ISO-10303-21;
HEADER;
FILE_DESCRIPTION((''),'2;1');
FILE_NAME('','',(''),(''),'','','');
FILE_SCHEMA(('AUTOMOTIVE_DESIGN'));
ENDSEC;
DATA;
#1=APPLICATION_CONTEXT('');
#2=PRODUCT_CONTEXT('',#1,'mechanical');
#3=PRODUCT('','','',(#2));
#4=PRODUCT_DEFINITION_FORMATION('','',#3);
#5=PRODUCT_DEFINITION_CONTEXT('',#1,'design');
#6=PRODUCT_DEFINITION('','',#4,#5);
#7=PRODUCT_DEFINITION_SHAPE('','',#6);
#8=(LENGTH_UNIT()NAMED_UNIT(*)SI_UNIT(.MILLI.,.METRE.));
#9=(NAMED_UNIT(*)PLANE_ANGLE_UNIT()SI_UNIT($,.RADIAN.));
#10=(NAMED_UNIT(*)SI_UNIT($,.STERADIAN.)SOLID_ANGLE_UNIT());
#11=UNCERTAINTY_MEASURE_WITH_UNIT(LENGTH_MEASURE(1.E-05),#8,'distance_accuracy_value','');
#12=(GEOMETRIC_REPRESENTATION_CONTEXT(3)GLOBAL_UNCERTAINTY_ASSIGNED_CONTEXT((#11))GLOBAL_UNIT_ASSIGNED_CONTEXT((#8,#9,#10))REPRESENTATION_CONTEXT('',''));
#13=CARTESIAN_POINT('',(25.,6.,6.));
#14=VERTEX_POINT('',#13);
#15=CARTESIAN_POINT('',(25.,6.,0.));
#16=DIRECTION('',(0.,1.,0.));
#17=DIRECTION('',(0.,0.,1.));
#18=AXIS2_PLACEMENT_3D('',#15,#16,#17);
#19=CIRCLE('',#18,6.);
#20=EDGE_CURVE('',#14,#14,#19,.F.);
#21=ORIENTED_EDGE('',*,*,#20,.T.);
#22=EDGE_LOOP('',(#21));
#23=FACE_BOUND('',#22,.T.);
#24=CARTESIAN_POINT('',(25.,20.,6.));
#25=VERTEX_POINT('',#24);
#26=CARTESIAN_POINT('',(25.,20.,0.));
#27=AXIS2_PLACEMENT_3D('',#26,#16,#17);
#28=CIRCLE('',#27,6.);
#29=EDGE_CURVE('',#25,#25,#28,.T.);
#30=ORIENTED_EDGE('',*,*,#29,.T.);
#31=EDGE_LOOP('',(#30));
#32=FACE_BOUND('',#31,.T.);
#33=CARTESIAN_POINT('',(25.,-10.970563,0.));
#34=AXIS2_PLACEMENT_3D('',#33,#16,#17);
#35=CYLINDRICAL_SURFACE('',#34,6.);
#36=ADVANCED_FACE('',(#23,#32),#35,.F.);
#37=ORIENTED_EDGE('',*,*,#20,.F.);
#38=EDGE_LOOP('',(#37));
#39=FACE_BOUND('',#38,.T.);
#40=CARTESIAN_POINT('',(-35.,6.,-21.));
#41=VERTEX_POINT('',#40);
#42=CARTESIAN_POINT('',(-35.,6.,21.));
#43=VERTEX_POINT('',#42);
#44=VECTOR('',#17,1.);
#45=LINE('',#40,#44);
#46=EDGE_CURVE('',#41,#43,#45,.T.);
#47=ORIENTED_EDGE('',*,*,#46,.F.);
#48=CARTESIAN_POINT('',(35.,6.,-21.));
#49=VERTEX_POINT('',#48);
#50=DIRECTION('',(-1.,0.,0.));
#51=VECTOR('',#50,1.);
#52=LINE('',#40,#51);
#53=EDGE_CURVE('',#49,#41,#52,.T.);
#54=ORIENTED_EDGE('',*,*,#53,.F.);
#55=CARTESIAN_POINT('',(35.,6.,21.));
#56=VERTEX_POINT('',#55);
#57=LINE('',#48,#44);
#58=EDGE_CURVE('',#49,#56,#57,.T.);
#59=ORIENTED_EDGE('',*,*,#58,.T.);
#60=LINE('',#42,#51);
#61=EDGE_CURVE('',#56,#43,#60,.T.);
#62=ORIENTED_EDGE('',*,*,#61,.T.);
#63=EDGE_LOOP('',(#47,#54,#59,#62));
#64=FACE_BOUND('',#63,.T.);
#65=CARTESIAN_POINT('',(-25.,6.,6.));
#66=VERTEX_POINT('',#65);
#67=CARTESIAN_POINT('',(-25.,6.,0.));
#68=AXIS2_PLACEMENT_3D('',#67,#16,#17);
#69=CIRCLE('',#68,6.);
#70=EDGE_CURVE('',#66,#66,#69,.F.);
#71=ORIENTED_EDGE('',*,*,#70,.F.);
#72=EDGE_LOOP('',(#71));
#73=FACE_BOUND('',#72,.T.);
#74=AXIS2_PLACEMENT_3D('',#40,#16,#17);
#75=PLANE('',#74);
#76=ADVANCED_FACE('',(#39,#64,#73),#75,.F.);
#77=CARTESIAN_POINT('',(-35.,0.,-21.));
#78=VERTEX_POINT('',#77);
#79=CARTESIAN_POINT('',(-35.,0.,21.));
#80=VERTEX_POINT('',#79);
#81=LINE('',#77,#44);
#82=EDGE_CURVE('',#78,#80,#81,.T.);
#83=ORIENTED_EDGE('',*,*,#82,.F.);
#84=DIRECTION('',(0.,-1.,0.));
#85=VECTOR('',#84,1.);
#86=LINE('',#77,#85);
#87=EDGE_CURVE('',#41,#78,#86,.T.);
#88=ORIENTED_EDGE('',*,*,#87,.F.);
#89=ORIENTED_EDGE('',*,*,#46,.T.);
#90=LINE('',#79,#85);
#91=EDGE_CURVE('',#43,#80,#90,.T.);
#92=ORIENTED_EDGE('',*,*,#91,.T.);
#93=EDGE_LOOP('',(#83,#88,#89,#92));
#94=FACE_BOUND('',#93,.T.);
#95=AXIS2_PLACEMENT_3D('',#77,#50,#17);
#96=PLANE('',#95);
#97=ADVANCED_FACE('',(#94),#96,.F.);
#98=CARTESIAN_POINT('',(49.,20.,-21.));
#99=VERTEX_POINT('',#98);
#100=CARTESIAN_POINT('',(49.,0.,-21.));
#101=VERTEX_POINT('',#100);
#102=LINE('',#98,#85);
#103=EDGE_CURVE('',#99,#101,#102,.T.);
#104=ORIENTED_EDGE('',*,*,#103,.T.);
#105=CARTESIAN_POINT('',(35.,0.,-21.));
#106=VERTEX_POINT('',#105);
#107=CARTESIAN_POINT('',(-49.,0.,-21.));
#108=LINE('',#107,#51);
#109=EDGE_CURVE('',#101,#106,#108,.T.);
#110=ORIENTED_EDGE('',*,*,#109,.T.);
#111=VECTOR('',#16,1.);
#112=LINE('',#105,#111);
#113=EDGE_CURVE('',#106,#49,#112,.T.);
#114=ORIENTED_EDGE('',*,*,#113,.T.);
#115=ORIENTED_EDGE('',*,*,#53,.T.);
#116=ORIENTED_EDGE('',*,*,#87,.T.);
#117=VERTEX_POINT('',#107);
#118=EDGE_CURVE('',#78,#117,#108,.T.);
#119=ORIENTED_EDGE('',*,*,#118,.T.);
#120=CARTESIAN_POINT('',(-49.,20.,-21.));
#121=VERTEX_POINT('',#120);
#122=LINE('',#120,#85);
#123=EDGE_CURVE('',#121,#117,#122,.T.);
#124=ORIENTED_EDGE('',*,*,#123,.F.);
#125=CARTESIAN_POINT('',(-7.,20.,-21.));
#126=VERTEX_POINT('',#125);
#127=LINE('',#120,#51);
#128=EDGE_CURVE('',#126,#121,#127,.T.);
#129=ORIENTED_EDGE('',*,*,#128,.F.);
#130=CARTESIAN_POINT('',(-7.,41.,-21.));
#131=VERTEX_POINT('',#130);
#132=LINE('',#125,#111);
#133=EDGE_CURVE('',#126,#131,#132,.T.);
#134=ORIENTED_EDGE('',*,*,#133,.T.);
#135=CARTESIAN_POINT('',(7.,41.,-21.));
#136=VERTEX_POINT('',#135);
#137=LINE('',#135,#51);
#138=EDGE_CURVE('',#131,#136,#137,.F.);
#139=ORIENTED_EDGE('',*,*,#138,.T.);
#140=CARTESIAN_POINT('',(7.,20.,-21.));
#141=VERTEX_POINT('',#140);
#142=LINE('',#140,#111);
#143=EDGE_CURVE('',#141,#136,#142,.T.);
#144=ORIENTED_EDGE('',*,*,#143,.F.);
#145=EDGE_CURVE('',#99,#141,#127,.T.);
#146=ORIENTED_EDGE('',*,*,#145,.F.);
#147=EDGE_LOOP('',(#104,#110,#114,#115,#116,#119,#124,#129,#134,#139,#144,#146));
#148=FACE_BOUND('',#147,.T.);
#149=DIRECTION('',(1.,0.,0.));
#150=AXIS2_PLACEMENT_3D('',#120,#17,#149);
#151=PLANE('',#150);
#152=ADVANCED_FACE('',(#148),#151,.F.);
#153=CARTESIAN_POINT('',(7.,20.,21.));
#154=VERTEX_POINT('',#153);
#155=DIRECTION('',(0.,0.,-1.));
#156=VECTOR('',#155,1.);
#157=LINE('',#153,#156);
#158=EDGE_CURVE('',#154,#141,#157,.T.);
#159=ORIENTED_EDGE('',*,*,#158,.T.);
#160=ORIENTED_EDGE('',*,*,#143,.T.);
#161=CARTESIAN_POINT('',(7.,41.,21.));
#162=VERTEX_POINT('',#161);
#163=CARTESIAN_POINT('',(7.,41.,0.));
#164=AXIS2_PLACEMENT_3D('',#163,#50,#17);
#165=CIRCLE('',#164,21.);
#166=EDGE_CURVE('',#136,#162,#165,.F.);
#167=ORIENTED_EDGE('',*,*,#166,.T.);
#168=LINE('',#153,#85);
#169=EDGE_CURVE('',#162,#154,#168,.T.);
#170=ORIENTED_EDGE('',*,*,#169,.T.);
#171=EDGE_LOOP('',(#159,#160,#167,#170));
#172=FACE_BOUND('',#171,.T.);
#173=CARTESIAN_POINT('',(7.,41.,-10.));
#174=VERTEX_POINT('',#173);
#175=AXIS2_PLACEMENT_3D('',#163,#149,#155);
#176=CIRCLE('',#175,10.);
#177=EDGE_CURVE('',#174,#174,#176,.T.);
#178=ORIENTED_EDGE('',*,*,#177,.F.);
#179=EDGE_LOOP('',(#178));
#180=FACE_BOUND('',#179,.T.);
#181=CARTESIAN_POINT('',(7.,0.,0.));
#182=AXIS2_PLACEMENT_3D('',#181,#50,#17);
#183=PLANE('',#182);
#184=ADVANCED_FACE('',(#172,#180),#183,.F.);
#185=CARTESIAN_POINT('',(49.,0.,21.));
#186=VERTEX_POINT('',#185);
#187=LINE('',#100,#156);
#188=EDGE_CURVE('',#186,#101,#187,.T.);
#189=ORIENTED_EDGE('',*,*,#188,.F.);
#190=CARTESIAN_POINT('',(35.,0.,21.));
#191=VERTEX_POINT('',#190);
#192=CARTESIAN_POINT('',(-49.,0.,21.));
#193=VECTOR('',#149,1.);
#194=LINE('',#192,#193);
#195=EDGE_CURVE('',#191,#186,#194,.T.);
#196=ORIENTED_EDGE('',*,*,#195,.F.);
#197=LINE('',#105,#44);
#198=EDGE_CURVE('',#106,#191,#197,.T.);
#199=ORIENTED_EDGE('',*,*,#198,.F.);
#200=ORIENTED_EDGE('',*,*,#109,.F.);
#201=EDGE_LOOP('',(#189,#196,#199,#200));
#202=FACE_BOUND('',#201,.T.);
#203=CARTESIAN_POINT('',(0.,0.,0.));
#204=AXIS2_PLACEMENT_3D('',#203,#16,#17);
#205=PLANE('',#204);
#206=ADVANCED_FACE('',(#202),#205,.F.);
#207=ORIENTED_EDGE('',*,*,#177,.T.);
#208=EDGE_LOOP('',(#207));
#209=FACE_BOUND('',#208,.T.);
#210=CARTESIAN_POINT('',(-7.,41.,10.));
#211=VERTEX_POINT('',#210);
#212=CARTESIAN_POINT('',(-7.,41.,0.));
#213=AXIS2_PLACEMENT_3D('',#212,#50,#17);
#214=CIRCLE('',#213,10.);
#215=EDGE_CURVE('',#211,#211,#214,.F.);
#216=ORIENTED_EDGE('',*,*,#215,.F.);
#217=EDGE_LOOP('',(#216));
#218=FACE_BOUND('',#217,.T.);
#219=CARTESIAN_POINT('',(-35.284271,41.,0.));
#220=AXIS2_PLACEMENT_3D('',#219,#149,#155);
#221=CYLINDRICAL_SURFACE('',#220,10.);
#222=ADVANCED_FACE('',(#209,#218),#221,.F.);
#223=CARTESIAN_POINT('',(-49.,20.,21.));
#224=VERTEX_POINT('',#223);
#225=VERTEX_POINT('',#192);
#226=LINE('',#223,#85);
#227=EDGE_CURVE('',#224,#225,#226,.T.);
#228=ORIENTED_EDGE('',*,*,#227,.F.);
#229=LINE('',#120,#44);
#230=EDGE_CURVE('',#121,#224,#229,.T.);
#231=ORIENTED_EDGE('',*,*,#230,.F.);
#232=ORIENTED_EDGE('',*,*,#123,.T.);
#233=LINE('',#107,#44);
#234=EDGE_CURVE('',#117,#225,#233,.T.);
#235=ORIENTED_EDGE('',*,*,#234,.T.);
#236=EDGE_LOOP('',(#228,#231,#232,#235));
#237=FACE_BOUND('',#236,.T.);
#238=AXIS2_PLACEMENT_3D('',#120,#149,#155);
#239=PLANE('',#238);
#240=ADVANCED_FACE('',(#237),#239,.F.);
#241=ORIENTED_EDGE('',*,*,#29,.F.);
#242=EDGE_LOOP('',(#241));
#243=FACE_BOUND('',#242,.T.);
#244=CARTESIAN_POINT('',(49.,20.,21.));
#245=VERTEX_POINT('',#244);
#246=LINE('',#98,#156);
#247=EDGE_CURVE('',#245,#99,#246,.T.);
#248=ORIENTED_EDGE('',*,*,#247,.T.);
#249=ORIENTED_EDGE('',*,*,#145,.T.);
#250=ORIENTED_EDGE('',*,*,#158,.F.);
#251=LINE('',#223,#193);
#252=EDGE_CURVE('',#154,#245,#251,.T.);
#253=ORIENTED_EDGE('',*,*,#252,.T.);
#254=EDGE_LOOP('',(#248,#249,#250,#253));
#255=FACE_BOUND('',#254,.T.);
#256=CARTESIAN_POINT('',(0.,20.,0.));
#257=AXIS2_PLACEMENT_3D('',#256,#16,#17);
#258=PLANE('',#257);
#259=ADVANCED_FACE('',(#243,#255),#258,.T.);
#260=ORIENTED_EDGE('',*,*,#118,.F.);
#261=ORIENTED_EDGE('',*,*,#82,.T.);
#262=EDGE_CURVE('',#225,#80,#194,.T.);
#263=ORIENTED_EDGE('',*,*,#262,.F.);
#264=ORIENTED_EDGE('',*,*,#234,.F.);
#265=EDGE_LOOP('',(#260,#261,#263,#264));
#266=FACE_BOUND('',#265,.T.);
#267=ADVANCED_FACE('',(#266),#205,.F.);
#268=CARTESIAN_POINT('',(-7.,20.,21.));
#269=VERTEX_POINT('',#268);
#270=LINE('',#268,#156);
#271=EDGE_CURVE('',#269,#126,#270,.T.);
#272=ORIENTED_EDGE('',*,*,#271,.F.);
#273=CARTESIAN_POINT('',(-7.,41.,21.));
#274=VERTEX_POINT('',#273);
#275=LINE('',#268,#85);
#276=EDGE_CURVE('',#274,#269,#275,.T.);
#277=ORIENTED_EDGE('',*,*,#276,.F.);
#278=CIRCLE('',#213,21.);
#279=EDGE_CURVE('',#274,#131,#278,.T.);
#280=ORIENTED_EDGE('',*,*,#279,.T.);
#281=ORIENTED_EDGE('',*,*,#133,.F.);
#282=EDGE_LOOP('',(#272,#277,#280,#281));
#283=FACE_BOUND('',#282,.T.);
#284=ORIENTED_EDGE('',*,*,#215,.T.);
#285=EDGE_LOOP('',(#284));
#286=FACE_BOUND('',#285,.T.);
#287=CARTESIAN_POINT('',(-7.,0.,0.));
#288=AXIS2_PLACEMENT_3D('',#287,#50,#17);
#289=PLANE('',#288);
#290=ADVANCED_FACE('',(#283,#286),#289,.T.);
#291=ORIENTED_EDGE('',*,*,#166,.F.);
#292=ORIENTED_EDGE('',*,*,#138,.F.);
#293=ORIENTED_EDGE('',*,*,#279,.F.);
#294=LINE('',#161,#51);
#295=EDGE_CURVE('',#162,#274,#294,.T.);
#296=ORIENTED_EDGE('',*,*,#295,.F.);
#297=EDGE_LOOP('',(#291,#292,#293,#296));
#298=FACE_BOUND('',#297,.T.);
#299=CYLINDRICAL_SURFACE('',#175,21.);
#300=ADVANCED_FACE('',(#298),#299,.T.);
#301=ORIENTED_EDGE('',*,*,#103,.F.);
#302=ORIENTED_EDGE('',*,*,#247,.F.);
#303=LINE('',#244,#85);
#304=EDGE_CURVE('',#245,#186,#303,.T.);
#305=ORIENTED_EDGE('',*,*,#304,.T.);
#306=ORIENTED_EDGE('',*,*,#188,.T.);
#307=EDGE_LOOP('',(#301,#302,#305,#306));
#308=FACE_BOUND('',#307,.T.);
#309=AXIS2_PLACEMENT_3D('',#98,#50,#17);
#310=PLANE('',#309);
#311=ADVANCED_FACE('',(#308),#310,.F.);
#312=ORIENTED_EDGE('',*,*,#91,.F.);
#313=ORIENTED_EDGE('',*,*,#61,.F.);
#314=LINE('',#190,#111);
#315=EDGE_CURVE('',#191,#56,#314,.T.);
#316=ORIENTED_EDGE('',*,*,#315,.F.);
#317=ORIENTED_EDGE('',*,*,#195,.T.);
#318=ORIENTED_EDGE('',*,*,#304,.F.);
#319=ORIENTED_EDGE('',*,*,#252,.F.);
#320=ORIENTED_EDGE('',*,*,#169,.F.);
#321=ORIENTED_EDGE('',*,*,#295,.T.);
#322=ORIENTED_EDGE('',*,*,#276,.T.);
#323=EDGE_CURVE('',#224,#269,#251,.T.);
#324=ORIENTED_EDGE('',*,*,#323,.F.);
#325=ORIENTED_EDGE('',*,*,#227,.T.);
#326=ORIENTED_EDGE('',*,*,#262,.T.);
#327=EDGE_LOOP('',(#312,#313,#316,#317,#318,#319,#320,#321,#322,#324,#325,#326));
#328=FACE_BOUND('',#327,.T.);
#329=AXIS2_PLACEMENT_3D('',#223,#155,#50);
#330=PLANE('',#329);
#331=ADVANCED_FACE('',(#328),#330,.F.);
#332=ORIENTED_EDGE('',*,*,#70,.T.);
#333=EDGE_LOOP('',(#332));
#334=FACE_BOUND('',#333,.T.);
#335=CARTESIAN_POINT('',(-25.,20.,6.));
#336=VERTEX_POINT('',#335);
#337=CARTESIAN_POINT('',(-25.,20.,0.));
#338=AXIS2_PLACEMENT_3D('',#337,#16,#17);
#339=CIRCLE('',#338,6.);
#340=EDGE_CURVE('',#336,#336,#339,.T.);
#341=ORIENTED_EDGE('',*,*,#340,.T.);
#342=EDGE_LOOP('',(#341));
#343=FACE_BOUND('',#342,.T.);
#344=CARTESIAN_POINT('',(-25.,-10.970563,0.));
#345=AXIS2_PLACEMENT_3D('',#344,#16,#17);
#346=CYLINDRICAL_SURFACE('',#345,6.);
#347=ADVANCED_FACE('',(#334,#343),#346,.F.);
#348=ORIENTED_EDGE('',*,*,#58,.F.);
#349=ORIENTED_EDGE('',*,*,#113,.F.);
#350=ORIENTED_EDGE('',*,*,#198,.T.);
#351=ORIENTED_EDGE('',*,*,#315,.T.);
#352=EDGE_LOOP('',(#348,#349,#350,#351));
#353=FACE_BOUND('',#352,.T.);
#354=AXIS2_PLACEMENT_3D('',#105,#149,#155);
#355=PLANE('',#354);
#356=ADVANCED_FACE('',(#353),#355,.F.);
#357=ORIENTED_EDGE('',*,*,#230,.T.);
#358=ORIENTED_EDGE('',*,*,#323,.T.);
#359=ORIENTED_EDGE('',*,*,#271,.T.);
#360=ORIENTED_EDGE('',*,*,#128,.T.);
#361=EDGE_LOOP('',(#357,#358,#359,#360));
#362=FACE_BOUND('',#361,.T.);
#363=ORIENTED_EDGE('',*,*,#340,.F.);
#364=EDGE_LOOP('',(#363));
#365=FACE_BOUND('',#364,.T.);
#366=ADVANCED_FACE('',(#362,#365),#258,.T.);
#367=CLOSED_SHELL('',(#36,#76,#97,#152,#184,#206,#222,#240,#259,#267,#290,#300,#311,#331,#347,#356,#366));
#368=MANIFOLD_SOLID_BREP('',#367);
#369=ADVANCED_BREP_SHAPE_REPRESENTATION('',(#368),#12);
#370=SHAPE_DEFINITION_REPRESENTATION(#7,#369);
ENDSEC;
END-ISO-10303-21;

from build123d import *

# Parameters (mm, degrees)
SKETCH1_W                = 98
SKETCH1_H                = 42
BOSS_EXTRUDE1_DEPTH      = 20
SKETCH2_W                = 70
SKETCH2_H                = 6
CUT_EXTRUDE1_DEPTH       = 68.564783726
SKETCH3_R                = 6
CUT_EXTRUDE2_DEPTH       = 14
BOSS_EXTRUDE2_DEPTH      = 7
BOSS_EXTRUDE2_DEPTH_BACK = 7
SKETCH4_W                = 42
SKETCH4_H                = 42
FILLET1_RADIUS           = 21
FILLET1_LENGTH           = 14
SKETCH5_R                = 10
CUT_EXTRUDE3_DEPTH       = 14


with BuildPart() as part:
    # Sketch1 → Boss-Extrude1 (new body)
    with BuildSketch(Plane(origin=(0, 0, 0), x_dir=(1, 0, 0), z_dir=(0, 1, 0))):
        Rectangle(SKETCH1_W, SKETCH1_H)
    extrude(amount=BOSS_EXTRUDE1_DEPTH)

    # Sketch2 → Cut-Extrude1 (cut, through all)
    with BuildSketch(Plane.XY.offset(21)):
        with Locations((0, 3)):
            Rectangle(SKETCH2_W, SKETCH2_H)
    extrude(amount=-CUT_EXTRUDE1_DEPTH, mode=Mode.SUBTRACT)

    # Sketch3 → Cut-Extrude2 (cut)
    with BuildSketch(Plane(origin=(0, 20, 0), x_dir=(1, 0, 0), z_dir=(0, 1, 0))):
        with Locations(Location((25, 0, 0), (0, 0, 270))):
            Circle(SKETCH3_R)
        with Locations(Location((-25, 0, 0), (0, 0, 270))):
            Circle(SKETCH3_R)
    extrude(amount=-CUT_EXTRUDE2_DEPTH, mode=Mode.SUBTRACT)

    # Sketch4 → Boss-Extrude2 (add, two sides: drawn at the far end of the back side and taken through both)
    with BuildSketch(Plane(origin=(0, 0, 0), x_dir=(0, 0, -1), z_dir=(1, 0, 0)).offset(-BOSS_EXTRUDE2_DEPTH_BACK)):
        with Locations((0, 41)):
            Rectangle(SKETCH4_W, SKETCH4_H)
    extrude(amount=BOSS_EXTRUDE2_DEPTH + BOSS_EXTRUDE2_DEPTH_BACK)

    # Fillet1: full round fillet: the end face becomes a half cylinder, R = half its width
    fillet1_face = Plane((0, 62, 0), x_dir=(1, 0, 0), z_dir=(0, 1, 0))  # on the end face: x along it, z out of the body
    fillet1_slab = fillet1_face.offset(-FILLET1_RADIUS / 2) * Box(FILLET1_LENGTH, 2 * FILLET1_RADIUS, FILLET1_RADIUS, mode=Mode.PRIVATE)  # the body's end, R deep
    fillet1_round = Plane((0, 41, 0), x_dir=(0, 1, 0), z_dir=(1, 0, 0)) * Cylinder(FILLET1_RADIUS, FILLET1_LENGTH, mode=Mode.PRIVATE)  # its axis R under the face
    add(fillet1_slab - fillet1_round, mode=Mode.SUBTRACT)

    # Sketch5 → Cut-Extrude3 (cut)
    with BuildSketch(Plane(origin=(7, 0, 0), x_dir=(0, 0, -1), z_dir=(1, 0, 0))):
        with Locations((0, 41)):
            Circle(SKETCH5_R)
    extrude(amount=-CUT_EXTRUDE3_DEPTH, mode=Mode.SUBTRACT)


solid = part.part
